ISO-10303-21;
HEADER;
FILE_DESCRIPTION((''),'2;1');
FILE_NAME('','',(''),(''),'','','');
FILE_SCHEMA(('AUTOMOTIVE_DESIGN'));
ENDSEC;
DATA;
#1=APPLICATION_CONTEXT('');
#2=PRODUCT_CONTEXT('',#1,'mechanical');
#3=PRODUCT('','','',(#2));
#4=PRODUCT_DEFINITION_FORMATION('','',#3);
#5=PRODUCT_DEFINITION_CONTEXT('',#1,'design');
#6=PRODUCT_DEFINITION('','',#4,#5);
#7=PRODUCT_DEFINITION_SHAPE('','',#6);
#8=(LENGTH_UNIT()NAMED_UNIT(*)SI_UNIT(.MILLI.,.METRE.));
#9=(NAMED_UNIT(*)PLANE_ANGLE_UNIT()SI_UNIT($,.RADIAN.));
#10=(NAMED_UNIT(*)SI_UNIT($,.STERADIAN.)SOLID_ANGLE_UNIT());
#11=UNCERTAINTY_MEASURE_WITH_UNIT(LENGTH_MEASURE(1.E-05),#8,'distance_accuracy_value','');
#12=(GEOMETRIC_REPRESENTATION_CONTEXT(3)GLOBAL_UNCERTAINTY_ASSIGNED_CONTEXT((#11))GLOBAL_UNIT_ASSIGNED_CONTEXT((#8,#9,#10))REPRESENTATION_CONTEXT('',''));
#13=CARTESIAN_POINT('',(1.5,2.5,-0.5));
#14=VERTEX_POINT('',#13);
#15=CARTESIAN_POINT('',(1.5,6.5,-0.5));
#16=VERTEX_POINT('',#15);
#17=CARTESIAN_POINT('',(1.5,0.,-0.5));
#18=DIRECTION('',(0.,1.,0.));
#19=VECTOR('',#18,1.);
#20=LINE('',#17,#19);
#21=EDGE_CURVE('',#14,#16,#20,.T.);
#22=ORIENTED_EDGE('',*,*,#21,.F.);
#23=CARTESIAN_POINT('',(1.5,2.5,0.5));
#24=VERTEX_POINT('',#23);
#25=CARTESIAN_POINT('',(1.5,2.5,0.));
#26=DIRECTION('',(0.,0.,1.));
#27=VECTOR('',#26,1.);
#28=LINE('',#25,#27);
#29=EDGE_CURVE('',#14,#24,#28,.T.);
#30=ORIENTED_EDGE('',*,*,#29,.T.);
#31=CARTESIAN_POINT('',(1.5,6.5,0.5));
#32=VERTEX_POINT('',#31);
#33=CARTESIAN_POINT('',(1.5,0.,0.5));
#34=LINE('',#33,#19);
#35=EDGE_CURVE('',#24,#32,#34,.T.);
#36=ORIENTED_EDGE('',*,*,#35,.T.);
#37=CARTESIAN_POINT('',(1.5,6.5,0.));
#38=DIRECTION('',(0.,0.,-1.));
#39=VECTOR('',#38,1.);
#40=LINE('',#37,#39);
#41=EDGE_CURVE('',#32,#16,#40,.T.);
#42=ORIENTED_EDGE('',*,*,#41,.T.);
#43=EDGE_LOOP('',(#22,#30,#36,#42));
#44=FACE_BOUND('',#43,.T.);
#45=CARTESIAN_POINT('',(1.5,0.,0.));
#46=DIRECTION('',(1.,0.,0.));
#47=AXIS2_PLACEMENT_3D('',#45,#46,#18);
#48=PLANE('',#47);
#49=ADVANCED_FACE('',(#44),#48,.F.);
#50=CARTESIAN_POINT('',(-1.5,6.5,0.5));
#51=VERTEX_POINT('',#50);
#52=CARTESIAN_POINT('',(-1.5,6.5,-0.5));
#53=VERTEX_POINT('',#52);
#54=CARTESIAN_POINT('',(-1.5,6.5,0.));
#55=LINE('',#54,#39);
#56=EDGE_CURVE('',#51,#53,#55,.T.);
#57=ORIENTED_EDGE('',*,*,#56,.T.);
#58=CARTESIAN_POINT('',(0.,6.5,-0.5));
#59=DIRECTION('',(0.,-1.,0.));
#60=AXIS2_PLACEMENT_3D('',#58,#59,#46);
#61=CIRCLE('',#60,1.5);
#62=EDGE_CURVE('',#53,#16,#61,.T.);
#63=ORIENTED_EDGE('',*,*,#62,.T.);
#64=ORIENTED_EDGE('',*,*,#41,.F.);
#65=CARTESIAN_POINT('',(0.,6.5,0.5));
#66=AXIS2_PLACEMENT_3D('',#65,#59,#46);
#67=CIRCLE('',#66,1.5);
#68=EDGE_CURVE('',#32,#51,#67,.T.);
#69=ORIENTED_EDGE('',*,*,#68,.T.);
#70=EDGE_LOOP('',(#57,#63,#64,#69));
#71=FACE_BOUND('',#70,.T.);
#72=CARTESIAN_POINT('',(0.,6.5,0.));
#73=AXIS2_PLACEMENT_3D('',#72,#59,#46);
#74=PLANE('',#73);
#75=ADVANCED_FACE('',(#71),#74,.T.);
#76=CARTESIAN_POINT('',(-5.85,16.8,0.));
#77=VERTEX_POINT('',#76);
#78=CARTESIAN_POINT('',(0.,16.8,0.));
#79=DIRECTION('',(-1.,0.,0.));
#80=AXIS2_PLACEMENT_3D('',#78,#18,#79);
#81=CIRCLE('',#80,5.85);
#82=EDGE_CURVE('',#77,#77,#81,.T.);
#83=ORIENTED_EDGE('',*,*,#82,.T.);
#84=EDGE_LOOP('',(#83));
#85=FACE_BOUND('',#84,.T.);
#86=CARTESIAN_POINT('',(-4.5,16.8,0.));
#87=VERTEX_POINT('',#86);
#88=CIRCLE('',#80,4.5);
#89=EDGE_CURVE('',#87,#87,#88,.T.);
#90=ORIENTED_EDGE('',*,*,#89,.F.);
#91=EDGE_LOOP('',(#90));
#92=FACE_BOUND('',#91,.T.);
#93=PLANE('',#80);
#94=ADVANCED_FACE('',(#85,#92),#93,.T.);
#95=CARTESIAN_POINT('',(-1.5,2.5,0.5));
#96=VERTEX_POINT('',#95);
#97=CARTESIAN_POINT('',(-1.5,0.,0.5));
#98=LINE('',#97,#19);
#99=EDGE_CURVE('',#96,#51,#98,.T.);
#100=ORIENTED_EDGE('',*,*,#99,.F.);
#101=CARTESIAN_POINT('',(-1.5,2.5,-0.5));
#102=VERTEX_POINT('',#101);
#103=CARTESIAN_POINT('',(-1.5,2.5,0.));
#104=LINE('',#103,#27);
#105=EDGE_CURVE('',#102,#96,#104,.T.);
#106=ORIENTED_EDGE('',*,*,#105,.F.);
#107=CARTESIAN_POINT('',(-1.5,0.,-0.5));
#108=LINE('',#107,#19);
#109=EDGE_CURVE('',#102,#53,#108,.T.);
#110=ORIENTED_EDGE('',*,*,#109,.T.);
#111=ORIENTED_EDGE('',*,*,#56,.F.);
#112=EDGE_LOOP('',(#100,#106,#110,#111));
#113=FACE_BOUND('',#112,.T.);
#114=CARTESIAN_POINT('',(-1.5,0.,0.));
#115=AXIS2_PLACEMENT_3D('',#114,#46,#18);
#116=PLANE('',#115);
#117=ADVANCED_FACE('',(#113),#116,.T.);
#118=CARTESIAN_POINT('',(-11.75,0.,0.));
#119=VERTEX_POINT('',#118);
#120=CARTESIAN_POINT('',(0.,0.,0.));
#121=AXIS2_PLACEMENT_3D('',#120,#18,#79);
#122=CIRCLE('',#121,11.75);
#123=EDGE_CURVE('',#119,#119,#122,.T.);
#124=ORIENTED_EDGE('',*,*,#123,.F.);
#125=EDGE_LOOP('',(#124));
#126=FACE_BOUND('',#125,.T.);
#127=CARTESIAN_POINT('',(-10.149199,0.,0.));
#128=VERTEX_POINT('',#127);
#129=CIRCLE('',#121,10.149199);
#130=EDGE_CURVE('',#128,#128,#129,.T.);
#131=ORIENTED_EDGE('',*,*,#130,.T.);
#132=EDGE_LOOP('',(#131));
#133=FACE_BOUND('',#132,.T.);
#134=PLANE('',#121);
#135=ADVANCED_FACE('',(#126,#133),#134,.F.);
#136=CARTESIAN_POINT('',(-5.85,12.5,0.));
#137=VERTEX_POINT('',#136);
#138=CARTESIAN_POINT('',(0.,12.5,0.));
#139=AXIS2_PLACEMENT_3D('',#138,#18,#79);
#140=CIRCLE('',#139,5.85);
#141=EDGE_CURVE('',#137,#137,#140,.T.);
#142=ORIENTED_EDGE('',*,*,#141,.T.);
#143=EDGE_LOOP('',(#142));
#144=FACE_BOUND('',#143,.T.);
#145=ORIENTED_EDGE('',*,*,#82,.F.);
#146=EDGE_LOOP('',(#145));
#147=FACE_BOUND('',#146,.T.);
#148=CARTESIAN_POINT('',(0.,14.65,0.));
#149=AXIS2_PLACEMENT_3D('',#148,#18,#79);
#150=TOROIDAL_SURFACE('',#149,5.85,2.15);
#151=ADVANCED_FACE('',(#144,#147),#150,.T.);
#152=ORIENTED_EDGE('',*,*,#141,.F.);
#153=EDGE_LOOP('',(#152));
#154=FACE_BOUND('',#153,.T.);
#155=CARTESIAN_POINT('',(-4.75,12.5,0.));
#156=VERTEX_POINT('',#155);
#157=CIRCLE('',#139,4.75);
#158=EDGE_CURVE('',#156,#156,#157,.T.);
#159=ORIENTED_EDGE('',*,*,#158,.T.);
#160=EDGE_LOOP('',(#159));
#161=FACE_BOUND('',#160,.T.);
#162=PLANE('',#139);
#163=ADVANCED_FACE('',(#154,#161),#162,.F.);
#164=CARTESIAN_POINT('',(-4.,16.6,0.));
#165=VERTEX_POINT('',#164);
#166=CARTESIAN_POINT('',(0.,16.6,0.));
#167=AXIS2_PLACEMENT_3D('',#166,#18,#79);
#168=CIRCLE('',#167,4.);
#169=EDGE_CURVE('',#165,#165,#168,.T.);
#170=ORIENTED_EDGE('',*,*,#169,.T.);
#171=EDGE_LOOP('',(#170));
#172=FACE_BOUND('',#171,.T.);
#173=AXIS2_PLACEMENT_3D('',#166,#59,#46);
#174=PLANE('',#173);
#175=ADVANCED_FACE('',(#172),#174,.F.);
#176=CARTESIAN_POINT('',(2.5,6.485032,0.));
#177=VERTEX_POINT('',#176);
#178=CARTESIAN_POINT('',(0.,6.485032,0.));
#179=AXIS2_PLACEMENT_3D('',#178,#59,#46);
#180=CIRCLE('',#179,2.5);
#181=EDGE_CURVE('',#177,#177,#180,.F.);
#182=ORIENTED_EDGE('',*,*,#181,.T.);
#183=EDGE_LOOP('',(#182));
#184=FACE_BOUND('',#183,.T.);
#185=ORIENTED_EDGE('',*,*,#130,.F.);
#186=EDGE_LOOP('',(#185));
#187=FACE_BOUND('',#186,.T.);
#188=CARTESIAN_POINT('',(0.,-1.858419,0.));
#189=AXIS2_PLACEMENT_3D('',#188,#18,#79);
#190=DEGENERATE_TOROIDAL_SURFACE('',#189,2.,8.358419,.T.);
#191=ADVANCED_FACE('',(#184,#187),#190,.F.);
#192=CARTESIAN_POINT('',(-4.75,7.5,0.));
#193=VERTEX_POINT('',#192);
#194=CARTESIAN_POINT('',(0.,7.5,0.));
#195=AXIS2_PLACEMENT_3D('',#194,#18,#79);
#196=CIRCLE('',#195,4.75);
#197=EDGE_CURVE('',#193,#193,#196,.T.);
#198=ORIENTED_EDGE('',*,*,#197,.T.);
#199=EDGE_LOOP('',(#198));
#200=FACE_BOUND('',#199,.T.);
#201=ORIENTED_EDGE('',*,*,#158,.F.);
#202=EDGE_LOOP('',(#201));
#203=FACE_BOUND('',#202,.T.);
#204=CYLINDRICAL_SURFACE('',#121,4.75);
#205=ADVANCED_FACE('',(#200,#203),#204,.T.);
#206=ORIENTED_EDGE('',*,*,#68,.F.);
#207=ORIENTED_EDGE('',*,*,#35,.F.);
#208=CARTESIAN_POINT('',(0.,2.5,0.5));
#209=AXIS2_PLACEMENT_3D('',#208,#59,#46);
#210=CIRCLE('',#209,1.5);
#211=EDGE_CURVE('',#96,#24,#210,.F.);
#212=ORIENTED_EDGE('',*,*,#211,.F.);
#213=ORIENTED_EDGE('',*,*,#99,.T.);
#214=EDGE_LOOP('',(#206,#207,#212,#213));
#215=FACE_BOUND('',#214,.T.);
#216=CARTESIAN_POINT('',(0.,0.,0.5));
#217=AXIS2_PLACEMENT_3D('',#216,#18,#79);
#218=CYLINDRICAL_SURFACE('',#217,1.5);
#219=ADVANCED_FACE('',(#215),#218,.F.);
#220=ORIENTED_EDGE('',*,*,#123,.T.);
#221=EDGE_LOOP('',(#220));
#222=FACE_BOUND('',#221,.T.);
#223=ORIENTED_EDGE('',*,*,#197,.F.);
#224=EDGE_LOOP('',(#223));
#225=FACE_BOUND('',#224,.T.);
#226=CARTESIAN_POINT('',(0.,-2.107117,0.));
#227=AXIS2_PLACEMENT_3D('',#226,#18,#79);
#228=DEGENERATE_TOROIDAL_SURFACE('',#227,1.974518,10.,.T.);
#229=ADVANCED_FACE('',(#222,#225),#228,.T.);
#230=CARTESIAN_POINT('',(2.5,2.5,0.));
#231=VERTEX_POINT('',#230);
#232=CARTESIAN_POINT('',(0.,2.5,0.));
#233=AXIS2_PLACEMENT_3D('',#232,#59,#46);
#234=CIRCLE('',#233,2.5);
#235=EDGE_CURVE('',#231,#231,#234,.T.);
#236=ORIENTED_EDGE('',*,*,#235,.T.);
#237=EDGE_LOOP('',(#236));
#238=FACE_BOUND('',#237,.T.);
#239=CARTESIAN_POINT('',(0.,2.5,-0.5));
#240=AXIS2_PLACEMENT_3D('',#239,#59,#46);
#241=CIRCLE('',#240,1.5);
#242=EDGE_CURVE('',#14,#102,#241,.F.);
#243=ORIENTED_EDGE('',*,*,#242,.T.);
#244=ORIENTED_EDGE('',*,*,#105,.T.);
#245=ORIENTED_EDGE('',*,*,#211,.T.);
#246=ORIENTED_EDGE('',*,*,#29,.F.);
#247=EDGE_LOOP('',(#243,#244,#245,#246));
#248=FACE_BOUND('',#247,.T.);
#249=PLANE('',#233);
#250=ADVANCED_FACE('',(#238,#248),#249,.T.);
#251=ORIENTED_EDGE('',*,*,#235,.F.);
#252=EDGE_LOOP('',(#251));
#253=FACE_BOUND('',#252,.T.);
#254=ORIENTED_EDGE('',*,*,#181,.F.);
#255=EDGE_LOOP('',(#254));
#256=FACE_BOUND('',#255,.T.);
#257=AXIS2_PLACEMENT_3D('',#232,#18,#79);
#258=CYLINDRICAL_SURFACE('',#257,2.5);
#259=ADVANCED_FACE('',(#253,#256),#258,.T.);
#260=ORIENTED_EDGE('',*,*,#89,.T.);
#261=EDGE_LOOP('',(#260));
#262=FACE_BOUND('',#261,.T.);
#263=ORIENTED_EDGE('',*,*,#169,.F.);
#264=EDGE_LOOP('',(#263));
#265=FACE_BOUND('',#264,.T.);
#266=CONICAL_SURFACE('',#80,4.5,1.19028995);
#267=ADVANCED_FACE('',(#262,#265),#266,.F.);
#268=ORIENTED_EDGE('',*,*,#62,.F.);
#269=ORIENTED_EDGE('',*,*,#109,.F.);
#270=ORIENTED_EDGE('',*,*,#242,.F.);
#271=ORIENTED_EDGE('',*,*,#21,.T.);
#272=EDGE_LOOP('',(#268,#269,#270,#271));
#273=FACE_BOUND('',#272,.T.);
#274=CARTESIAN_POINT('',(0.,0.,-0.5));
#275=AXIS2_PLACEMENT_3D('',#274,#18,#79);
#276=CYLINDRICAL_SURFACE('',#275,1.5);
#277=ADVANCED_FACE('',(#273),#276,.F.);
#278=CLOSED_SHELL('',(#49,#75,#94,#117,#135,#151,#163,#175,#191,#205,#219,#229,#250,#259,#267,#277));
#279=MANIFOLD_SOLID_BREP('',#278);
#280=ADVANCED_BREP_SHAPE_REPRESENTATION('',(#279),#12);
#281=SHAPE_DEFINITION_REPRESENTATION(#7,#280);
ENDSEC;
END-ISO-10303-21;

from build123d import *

# Parameters (mm, degrees)
SKETCH2_R           = 2.5
BOSS_EXTRUDE2_DEPTH = 4
CUT_EXTRUDE1_DEPTH  = 20.550319811


with BuildPart() as part:
    # Sketch1 → Revolve1 (revolve)
    with BuildSketch(Plane.XY):
        with BuildLine():
            ThreePointArc((2, 6.5), (7.211992141, 4.675975116), (10.149199243, 0))
            Line((10.149199243, 0), (11.75, 0))
            ThreePointArc((11.75, 0), (9.285070189, 4.71606551), (4.75, 7.5))
            Line((4.75, 7.5), (4.75, 12.5))
            Line((4.75, 12.5), (5.85, 12.5))
            ThreePointArc((5.85, 12.5), (8, 14.65), (5.85, 16.8))
            Line((5.85, 16.8), (4.5, 16.8))
            Line((4.5, 16.8), (4, 16.6))
            Line((4, 16.6), (0, 16.6))
            Line((0, 16.6), (0, 6.5))
            Line((0, 6.5), (2, 6.5))
        make_face()
    revolve(axis=Axis((0, 0, 0), (0, -1, 0)))

    # Sketch2 → Boss-Extrude2 (add)
    with BuildSketch(Plane.XZ.offset(-6.5)):
        Circle(SKETCH2_R)
    extrude(amount=BOSS_EXTRUDE2_DEPTH)

    # Sketch2<3> → Cut-Extrude1 (cut, through all)
    with BuildSketch(Plane.XZ.offset(-6.5)):
        with BuildLine():
            Line((1.5, -0.5), (1.5, 0.5))
            ThreePointArc((1.5, 0.5), (0, 2), (-1.5, 0.5))
            Line((-1.5, 0.5), (-1.5, -0.5))
            ThreePointArc((-1.5, -0.5), (0, -2), (1.5, -0.5))
        make_face()
    extrude(amount=CUT_EXTRUDE1_DEPTH, mode=Mode.SUBTRACT)


solid = part.part
